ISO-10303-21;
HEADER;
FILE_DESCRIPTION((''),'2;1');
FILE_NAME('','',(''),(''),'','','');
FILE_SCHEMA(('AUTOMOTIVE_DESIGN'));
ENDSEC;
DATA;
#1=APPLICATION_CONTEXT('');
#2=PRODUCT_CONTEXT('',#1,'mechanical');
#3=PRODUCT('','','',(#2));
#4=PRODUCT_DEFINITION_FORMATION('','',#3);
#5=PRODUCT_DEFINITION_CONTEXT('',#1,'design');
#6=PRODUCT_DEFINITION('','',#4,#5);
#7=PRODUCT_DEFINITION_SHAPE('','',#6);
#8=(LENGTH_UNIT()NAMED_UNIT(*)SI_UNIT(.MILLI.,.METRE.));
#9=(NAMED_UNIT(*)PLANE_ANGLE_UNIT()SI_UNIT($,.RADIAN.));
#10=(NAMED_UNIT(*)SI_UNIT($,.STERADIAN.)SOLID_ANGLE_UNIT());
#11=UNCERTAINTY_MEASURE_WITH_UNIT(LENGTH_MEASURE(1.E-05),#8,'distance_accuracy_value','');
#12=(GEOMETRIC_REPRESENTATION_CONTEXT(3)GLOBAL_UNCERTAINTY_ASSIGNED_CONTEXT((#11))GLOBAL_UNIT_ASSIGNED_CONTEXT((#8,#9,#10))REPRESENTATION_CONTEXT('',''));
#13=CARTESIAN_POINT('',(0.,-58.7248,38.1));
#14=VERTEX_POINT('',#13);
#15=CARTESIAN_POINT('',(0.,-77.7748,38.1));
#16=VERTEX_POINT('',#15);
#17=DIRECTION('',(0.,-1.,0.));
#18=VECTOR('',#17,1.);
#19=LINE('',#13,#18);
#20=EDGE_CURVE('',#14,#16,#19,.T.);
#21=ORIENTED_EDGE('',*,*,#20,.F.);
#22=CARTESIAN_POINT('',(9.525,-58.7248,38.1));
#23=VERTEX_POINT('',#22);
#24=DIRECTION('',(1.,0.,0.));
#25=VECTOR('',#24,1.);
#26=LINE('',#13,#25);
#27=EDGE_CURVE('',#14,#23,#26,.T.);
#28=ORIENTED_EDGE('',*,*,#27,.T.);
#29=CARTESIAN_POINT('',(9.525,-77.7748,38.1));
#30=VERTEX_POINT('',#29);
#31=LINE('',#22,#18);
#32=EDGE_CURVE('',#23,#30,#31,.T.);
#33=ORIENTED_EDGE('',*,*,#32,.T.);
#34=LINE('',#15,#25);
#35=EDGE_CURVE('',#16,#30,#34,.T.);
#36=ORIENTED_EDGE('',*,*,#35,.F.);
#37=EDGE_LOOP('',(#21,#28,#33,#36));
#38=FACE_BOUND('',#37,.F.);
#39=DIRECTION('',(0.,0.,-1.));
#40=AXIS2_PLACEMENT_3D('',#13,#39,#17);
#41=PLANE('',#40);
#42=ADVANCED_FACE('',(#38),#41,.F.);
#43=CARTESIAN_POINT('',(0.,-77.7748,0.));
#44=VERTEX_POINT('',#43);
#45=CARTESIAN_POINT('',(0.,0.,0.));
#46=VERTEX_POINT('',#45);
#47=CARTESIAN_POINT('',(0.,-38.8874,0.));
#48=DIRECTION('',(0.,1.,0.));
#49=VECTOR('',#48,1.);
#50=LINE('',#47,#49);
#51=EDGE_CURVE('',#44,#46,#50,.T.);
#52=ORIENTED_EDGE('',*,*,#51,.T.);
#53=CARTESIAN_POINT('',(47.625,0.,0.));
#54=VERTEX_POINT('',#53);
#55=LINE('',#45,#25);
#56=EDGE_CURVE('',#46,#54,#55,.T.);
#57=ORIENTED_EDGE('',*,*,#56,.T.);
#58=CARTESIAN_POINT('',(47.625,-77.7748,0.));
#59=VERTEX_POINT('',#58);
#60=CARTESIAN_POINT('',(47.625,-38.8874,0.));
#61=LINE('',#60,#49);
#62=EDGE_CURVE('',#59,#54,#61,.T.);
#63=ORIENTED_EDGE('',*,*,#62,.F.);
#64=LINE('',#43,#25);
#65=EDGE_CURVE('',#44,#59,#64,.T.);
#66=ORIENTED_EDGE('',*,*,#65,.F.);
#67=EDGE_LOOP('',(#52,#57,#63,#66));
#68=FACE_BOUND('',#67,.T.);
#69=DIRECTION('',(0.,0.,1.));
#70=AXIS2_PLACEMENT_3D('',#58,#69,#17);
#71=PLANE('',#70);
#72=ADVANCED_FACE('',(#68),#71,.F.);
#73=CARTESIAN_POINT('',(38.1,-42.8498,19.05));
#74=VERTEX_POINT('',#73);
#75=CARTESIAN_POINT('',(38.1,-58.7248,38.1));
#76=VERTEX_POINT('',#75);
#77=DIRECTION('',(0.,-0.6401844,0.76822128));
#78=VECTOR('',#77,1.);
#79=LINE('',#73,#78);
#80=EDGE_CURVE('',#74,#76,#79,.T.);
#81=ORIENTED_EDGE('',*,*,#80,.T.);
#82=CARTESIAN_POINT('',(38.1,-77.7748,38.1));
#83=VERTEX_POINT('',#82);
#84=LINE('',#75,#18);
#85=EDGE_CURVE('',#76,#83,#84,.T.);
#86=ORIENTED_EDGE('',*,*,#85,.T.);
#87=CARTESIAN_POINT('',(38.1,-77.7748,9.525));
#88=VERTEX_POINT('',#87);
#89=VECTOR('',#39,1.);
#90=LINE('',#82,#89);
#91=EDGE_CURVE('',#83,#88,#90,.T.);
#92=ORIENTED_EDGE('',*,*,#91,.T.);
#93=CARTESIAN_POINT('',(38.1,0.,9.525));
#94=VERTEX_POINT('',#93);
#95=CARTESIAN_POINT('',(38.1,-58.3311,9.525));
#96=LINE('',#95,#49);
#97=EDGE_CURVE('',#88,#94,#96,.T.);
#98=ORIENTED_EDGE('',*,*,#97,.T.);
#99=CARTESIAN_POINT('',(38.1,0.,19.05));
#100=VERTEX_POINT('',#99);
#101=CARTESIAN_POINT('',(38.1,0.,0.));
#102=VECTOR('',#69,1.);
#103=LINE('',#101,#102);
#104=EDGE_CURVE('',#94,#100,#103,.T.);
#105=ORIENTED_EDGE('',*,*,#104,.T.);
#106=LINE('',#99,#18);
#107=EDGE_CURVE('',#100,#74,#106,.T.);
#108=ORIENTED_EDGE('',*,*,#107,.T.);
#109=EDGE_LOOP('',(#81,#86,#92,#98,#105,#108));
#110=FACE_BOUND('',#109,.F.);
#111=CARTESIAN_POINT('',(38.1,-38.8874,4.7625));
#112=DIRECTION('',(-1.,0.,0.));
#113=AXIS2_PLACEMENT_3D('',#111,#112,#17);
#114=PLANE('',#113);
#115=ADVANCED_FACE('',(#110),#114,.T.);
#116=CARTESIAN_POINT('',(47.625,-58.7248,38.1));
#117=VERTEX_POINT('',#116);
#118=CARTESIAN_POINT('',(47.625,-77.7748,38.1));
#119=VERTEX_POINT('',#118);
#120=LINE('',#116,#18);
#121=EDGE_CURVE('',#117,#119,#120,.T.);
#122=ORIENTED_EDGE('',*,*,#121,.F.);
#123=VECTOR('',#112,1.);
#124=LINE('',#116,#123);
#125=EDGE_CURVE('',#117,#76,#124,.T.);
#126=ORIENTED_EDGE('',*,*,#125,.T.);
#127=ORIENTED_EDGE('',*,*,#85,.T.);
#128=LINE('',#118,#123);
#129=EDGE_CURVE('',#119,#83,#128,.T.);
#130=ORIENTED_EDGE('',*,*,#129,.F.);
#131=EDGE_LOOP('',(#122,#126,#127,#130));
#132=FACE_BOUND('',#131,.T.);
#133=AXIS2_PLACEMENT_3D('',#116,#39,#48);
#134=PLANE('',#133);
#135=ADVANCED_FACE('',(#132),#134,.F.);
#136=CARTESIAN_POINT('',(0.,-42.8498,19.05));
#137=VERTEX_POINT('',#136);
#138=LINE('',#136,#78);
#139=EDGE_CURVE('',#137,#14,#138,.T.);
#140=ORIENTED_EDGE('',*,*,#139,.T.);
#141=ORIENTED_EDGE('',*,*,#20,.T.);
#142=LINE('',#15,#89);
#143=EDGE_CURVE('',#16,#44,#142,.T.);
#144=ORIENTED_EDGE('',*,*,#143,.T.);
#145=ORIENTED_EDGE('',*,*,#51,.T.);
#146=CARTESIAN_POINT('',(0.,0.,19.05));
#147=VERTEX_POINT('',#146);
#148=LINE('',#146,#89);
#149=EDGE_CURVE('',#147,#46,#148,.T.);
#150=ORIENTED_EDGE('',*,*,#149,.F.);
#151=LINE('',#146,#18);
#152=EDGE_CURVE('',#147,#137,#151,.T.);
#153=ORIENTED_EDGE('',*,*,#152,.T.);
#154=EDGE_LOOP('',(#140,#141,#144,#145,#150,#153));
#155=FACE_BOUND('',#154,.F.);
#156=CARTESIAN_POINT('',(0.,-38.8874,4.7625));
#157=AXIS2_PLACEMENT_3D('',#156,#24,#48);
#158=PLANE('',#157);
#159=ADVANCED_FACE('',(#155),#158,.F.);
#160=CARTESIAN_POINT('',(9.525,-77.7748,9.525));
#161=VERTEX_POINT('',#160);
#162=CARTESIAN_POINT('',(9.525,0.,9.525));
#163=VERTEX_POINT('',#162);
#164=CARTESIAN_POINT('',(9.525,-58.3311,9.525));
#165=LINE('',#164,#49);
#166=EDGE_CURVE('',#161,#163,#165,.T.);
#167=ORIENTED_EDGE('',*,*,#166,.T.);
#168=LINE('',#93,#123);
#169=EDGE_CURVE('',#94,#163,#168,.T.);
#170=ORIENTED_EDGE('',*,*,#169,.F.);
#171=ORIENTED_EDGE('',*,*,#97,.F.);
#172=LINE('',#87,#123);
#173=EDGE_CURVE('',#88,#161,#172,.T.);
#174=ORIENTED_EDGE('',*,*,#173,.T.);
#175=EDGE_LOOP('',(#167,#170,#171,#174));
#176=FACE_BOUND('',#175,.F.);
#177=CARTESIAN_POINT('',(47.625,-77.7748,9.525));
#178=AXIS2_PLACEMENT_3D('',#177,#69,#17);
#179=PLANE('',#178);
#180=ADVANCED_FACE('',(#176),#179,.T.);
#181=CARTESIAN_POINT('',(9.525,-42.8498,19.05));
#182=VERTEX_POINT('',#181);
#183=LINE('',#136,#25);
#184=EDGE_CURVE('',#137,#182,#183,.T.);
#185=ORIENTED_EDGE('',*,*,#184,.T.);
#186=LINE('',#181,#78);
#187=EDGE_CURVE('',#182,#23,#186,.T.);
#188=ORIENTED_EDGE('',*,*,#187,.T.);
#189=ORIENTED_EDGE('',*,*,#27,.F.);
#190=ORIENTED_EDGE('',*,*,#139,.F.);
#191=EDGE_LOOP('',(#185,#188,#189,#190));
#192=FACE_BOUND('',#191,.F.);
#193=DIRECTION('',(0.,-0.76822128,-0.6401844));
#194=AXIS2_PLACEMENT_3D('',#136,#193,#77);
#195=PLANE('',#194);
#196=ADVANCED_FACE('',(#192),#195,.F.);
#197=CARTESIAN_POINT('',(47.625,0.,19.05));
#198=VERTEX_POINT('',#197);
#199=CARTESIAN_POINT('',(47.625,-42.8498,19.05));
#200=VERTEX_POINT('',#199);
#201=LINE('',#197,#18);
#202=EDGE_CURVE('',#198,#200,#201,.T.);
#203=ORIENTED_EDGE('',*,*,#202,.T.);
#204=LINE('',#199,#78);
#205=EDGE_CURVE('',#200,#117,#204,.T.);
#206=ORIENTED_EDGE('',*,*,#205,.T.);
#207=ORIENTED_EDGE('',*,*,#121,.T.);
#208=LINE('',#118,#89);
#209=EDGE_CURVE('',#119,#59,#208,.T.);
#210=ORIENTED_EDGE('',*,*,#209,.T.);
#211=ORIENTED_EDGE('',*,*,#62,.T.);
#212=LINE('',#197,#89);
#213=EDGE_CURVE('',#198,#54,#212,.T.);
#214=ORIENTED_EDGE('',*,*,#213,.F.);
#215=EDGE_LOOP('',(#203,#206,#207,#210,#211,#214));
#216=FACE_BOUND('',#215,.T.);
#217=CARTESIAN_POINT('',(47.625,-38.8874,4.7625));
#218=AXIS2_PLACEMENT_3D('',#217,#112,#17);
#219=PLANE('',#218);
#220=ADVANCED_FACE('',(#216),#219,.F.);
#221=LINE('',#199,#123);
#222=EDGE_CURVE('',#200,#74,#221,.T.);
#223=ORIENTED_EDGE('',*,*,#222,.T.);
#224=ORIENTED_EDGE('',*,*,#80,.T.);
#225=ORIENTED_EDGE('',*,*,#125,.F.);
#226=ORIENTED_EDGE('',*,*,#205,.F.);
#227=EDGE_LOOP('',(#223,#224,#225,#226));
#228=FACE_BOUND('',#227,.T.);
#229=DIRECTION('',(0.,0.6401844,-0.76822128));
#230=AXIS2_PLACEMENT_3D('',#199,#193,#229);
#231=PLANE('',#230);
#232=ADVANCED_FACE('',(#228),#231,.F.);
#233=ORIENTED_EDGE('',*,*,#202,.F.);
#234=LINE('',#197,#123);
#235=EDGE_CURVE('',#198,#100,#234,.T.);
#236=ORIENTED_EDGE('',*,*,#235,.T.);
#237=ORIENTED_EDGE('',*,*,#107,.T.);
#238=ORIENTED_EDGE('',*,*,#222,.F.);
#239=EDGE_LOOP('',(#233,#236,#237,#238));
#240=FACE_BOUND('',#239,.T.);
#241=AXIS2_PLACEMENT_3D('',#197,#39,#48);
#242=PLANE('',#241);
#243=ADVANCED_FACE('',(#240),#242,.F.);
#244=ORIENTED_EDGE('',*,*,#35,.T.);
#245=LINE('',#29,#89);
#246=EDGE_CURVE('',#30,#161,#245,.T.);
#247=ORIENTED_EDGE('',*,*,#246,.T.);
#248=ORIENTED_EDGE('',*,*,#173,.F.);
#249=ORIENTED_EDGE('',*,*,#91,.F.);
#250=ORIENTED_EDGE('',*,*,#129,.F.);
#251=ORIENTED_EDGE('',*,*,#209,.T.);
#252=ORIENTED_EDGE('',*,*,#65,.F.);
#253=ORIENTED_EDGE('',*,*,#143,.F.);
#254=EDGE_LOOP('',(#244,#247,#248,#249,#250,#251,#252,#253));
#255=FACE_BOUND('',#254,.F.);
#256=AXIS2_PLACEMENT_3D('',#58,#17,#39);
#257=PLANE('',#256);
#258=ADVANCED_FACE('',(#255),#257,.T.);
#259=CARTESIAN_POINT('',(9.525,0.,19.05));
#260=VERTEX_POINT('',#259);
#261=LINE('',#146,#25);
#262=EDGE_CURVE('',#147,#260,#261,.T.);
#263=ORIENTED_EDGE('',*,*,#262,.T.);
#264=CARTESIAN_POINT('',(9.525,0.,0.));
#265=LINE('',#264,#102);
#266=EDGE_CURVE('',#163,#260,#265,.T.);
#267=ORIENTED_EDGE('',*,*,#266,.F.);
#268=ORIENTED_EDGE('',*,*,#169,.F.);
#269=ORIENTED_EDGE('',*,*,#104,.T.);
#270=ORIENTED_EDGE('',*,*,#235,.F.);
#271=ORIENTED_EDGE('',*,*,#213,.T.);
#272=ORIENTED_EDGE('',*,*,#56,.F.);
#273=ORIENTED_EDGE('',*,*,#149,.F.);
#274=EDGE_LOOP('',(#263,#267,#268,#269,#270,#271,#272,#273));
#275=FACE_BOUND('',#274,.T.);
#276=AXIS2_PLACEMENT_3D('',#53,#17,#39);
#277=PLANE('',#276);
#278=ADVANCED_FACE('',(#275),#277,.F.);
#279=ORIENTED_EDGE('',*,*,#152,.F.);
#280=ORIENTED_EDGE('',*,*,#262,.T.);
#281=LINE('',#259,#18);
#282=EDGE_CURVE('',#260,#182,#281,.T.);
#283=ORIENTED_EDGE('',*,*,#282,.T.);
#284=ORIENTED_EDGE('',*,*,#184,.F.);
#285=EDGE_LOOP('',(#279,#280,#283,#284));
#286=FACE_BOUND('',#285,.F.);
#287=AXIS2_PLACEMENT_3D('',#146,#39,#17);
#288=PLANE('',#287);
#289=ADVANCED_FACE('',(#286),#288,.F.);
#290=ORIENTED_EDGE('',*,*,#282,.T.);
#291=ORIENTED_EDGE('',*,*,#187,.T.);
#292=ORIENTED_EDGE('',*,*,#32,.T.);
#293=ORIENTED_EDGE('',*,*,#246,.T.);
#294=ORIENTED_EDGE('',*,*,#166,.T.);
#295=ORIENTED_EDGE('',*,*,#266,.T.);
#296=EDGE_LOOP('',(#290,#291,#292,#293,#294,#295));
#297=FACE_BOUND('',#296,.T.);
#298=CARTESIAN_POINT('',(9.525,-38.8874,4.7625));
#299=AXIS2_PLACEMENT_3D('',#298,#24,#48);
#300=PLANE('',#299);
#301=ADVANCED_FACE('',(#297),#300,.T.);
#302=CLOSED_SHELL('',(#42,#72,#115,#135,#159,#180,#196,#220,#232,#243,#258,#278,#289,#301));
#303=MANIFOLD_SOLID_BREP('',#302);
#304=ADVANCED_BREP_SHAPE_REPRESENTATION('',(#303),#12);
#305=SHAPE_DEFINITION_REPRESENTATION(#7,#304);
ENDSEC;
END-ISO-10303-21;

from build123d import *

# Parameters (mm, degrees)
F0_W     = 77.7748
F0_H     = 9.525
F1_DEPTH = 23.8125
F2_DEPTH = 9.525


with BuildPart() as f1:
    # F0 (on Right) → F1 (new body)
    with BuildSketch(Plane.YZ):
        with Locations((-38.8874, 4.7625)):
            Rectangle(F0_W, F0_H)
    extrude(amount=F1_DEPTH)

    # F0 (on Right) → F2 (join)
    with BuildSketch(Plane.YZ):
        with Locations((-38.8874, 4.7625)):
            Rectangle(F0_W, F0_H)
        Polygon((-77.7748, 38.1), (-77.7748, 9.525), (0, 9.525), (0, 19.05), (-42.8498, 19.05), (-58.7248, 38.1), align=None)
    extrude(amount=F2_DEPTH)

    # F3: F1 across face


with BuildPart() as f1_1:
    add(f1.part)
    add(f1.part.mirror(Plane(origin=(23.8125, -38.8874, 4.7625), x_dir=(0, 1, 0), z_dir=(1, 0, 0))))


solid = f1_1.part
